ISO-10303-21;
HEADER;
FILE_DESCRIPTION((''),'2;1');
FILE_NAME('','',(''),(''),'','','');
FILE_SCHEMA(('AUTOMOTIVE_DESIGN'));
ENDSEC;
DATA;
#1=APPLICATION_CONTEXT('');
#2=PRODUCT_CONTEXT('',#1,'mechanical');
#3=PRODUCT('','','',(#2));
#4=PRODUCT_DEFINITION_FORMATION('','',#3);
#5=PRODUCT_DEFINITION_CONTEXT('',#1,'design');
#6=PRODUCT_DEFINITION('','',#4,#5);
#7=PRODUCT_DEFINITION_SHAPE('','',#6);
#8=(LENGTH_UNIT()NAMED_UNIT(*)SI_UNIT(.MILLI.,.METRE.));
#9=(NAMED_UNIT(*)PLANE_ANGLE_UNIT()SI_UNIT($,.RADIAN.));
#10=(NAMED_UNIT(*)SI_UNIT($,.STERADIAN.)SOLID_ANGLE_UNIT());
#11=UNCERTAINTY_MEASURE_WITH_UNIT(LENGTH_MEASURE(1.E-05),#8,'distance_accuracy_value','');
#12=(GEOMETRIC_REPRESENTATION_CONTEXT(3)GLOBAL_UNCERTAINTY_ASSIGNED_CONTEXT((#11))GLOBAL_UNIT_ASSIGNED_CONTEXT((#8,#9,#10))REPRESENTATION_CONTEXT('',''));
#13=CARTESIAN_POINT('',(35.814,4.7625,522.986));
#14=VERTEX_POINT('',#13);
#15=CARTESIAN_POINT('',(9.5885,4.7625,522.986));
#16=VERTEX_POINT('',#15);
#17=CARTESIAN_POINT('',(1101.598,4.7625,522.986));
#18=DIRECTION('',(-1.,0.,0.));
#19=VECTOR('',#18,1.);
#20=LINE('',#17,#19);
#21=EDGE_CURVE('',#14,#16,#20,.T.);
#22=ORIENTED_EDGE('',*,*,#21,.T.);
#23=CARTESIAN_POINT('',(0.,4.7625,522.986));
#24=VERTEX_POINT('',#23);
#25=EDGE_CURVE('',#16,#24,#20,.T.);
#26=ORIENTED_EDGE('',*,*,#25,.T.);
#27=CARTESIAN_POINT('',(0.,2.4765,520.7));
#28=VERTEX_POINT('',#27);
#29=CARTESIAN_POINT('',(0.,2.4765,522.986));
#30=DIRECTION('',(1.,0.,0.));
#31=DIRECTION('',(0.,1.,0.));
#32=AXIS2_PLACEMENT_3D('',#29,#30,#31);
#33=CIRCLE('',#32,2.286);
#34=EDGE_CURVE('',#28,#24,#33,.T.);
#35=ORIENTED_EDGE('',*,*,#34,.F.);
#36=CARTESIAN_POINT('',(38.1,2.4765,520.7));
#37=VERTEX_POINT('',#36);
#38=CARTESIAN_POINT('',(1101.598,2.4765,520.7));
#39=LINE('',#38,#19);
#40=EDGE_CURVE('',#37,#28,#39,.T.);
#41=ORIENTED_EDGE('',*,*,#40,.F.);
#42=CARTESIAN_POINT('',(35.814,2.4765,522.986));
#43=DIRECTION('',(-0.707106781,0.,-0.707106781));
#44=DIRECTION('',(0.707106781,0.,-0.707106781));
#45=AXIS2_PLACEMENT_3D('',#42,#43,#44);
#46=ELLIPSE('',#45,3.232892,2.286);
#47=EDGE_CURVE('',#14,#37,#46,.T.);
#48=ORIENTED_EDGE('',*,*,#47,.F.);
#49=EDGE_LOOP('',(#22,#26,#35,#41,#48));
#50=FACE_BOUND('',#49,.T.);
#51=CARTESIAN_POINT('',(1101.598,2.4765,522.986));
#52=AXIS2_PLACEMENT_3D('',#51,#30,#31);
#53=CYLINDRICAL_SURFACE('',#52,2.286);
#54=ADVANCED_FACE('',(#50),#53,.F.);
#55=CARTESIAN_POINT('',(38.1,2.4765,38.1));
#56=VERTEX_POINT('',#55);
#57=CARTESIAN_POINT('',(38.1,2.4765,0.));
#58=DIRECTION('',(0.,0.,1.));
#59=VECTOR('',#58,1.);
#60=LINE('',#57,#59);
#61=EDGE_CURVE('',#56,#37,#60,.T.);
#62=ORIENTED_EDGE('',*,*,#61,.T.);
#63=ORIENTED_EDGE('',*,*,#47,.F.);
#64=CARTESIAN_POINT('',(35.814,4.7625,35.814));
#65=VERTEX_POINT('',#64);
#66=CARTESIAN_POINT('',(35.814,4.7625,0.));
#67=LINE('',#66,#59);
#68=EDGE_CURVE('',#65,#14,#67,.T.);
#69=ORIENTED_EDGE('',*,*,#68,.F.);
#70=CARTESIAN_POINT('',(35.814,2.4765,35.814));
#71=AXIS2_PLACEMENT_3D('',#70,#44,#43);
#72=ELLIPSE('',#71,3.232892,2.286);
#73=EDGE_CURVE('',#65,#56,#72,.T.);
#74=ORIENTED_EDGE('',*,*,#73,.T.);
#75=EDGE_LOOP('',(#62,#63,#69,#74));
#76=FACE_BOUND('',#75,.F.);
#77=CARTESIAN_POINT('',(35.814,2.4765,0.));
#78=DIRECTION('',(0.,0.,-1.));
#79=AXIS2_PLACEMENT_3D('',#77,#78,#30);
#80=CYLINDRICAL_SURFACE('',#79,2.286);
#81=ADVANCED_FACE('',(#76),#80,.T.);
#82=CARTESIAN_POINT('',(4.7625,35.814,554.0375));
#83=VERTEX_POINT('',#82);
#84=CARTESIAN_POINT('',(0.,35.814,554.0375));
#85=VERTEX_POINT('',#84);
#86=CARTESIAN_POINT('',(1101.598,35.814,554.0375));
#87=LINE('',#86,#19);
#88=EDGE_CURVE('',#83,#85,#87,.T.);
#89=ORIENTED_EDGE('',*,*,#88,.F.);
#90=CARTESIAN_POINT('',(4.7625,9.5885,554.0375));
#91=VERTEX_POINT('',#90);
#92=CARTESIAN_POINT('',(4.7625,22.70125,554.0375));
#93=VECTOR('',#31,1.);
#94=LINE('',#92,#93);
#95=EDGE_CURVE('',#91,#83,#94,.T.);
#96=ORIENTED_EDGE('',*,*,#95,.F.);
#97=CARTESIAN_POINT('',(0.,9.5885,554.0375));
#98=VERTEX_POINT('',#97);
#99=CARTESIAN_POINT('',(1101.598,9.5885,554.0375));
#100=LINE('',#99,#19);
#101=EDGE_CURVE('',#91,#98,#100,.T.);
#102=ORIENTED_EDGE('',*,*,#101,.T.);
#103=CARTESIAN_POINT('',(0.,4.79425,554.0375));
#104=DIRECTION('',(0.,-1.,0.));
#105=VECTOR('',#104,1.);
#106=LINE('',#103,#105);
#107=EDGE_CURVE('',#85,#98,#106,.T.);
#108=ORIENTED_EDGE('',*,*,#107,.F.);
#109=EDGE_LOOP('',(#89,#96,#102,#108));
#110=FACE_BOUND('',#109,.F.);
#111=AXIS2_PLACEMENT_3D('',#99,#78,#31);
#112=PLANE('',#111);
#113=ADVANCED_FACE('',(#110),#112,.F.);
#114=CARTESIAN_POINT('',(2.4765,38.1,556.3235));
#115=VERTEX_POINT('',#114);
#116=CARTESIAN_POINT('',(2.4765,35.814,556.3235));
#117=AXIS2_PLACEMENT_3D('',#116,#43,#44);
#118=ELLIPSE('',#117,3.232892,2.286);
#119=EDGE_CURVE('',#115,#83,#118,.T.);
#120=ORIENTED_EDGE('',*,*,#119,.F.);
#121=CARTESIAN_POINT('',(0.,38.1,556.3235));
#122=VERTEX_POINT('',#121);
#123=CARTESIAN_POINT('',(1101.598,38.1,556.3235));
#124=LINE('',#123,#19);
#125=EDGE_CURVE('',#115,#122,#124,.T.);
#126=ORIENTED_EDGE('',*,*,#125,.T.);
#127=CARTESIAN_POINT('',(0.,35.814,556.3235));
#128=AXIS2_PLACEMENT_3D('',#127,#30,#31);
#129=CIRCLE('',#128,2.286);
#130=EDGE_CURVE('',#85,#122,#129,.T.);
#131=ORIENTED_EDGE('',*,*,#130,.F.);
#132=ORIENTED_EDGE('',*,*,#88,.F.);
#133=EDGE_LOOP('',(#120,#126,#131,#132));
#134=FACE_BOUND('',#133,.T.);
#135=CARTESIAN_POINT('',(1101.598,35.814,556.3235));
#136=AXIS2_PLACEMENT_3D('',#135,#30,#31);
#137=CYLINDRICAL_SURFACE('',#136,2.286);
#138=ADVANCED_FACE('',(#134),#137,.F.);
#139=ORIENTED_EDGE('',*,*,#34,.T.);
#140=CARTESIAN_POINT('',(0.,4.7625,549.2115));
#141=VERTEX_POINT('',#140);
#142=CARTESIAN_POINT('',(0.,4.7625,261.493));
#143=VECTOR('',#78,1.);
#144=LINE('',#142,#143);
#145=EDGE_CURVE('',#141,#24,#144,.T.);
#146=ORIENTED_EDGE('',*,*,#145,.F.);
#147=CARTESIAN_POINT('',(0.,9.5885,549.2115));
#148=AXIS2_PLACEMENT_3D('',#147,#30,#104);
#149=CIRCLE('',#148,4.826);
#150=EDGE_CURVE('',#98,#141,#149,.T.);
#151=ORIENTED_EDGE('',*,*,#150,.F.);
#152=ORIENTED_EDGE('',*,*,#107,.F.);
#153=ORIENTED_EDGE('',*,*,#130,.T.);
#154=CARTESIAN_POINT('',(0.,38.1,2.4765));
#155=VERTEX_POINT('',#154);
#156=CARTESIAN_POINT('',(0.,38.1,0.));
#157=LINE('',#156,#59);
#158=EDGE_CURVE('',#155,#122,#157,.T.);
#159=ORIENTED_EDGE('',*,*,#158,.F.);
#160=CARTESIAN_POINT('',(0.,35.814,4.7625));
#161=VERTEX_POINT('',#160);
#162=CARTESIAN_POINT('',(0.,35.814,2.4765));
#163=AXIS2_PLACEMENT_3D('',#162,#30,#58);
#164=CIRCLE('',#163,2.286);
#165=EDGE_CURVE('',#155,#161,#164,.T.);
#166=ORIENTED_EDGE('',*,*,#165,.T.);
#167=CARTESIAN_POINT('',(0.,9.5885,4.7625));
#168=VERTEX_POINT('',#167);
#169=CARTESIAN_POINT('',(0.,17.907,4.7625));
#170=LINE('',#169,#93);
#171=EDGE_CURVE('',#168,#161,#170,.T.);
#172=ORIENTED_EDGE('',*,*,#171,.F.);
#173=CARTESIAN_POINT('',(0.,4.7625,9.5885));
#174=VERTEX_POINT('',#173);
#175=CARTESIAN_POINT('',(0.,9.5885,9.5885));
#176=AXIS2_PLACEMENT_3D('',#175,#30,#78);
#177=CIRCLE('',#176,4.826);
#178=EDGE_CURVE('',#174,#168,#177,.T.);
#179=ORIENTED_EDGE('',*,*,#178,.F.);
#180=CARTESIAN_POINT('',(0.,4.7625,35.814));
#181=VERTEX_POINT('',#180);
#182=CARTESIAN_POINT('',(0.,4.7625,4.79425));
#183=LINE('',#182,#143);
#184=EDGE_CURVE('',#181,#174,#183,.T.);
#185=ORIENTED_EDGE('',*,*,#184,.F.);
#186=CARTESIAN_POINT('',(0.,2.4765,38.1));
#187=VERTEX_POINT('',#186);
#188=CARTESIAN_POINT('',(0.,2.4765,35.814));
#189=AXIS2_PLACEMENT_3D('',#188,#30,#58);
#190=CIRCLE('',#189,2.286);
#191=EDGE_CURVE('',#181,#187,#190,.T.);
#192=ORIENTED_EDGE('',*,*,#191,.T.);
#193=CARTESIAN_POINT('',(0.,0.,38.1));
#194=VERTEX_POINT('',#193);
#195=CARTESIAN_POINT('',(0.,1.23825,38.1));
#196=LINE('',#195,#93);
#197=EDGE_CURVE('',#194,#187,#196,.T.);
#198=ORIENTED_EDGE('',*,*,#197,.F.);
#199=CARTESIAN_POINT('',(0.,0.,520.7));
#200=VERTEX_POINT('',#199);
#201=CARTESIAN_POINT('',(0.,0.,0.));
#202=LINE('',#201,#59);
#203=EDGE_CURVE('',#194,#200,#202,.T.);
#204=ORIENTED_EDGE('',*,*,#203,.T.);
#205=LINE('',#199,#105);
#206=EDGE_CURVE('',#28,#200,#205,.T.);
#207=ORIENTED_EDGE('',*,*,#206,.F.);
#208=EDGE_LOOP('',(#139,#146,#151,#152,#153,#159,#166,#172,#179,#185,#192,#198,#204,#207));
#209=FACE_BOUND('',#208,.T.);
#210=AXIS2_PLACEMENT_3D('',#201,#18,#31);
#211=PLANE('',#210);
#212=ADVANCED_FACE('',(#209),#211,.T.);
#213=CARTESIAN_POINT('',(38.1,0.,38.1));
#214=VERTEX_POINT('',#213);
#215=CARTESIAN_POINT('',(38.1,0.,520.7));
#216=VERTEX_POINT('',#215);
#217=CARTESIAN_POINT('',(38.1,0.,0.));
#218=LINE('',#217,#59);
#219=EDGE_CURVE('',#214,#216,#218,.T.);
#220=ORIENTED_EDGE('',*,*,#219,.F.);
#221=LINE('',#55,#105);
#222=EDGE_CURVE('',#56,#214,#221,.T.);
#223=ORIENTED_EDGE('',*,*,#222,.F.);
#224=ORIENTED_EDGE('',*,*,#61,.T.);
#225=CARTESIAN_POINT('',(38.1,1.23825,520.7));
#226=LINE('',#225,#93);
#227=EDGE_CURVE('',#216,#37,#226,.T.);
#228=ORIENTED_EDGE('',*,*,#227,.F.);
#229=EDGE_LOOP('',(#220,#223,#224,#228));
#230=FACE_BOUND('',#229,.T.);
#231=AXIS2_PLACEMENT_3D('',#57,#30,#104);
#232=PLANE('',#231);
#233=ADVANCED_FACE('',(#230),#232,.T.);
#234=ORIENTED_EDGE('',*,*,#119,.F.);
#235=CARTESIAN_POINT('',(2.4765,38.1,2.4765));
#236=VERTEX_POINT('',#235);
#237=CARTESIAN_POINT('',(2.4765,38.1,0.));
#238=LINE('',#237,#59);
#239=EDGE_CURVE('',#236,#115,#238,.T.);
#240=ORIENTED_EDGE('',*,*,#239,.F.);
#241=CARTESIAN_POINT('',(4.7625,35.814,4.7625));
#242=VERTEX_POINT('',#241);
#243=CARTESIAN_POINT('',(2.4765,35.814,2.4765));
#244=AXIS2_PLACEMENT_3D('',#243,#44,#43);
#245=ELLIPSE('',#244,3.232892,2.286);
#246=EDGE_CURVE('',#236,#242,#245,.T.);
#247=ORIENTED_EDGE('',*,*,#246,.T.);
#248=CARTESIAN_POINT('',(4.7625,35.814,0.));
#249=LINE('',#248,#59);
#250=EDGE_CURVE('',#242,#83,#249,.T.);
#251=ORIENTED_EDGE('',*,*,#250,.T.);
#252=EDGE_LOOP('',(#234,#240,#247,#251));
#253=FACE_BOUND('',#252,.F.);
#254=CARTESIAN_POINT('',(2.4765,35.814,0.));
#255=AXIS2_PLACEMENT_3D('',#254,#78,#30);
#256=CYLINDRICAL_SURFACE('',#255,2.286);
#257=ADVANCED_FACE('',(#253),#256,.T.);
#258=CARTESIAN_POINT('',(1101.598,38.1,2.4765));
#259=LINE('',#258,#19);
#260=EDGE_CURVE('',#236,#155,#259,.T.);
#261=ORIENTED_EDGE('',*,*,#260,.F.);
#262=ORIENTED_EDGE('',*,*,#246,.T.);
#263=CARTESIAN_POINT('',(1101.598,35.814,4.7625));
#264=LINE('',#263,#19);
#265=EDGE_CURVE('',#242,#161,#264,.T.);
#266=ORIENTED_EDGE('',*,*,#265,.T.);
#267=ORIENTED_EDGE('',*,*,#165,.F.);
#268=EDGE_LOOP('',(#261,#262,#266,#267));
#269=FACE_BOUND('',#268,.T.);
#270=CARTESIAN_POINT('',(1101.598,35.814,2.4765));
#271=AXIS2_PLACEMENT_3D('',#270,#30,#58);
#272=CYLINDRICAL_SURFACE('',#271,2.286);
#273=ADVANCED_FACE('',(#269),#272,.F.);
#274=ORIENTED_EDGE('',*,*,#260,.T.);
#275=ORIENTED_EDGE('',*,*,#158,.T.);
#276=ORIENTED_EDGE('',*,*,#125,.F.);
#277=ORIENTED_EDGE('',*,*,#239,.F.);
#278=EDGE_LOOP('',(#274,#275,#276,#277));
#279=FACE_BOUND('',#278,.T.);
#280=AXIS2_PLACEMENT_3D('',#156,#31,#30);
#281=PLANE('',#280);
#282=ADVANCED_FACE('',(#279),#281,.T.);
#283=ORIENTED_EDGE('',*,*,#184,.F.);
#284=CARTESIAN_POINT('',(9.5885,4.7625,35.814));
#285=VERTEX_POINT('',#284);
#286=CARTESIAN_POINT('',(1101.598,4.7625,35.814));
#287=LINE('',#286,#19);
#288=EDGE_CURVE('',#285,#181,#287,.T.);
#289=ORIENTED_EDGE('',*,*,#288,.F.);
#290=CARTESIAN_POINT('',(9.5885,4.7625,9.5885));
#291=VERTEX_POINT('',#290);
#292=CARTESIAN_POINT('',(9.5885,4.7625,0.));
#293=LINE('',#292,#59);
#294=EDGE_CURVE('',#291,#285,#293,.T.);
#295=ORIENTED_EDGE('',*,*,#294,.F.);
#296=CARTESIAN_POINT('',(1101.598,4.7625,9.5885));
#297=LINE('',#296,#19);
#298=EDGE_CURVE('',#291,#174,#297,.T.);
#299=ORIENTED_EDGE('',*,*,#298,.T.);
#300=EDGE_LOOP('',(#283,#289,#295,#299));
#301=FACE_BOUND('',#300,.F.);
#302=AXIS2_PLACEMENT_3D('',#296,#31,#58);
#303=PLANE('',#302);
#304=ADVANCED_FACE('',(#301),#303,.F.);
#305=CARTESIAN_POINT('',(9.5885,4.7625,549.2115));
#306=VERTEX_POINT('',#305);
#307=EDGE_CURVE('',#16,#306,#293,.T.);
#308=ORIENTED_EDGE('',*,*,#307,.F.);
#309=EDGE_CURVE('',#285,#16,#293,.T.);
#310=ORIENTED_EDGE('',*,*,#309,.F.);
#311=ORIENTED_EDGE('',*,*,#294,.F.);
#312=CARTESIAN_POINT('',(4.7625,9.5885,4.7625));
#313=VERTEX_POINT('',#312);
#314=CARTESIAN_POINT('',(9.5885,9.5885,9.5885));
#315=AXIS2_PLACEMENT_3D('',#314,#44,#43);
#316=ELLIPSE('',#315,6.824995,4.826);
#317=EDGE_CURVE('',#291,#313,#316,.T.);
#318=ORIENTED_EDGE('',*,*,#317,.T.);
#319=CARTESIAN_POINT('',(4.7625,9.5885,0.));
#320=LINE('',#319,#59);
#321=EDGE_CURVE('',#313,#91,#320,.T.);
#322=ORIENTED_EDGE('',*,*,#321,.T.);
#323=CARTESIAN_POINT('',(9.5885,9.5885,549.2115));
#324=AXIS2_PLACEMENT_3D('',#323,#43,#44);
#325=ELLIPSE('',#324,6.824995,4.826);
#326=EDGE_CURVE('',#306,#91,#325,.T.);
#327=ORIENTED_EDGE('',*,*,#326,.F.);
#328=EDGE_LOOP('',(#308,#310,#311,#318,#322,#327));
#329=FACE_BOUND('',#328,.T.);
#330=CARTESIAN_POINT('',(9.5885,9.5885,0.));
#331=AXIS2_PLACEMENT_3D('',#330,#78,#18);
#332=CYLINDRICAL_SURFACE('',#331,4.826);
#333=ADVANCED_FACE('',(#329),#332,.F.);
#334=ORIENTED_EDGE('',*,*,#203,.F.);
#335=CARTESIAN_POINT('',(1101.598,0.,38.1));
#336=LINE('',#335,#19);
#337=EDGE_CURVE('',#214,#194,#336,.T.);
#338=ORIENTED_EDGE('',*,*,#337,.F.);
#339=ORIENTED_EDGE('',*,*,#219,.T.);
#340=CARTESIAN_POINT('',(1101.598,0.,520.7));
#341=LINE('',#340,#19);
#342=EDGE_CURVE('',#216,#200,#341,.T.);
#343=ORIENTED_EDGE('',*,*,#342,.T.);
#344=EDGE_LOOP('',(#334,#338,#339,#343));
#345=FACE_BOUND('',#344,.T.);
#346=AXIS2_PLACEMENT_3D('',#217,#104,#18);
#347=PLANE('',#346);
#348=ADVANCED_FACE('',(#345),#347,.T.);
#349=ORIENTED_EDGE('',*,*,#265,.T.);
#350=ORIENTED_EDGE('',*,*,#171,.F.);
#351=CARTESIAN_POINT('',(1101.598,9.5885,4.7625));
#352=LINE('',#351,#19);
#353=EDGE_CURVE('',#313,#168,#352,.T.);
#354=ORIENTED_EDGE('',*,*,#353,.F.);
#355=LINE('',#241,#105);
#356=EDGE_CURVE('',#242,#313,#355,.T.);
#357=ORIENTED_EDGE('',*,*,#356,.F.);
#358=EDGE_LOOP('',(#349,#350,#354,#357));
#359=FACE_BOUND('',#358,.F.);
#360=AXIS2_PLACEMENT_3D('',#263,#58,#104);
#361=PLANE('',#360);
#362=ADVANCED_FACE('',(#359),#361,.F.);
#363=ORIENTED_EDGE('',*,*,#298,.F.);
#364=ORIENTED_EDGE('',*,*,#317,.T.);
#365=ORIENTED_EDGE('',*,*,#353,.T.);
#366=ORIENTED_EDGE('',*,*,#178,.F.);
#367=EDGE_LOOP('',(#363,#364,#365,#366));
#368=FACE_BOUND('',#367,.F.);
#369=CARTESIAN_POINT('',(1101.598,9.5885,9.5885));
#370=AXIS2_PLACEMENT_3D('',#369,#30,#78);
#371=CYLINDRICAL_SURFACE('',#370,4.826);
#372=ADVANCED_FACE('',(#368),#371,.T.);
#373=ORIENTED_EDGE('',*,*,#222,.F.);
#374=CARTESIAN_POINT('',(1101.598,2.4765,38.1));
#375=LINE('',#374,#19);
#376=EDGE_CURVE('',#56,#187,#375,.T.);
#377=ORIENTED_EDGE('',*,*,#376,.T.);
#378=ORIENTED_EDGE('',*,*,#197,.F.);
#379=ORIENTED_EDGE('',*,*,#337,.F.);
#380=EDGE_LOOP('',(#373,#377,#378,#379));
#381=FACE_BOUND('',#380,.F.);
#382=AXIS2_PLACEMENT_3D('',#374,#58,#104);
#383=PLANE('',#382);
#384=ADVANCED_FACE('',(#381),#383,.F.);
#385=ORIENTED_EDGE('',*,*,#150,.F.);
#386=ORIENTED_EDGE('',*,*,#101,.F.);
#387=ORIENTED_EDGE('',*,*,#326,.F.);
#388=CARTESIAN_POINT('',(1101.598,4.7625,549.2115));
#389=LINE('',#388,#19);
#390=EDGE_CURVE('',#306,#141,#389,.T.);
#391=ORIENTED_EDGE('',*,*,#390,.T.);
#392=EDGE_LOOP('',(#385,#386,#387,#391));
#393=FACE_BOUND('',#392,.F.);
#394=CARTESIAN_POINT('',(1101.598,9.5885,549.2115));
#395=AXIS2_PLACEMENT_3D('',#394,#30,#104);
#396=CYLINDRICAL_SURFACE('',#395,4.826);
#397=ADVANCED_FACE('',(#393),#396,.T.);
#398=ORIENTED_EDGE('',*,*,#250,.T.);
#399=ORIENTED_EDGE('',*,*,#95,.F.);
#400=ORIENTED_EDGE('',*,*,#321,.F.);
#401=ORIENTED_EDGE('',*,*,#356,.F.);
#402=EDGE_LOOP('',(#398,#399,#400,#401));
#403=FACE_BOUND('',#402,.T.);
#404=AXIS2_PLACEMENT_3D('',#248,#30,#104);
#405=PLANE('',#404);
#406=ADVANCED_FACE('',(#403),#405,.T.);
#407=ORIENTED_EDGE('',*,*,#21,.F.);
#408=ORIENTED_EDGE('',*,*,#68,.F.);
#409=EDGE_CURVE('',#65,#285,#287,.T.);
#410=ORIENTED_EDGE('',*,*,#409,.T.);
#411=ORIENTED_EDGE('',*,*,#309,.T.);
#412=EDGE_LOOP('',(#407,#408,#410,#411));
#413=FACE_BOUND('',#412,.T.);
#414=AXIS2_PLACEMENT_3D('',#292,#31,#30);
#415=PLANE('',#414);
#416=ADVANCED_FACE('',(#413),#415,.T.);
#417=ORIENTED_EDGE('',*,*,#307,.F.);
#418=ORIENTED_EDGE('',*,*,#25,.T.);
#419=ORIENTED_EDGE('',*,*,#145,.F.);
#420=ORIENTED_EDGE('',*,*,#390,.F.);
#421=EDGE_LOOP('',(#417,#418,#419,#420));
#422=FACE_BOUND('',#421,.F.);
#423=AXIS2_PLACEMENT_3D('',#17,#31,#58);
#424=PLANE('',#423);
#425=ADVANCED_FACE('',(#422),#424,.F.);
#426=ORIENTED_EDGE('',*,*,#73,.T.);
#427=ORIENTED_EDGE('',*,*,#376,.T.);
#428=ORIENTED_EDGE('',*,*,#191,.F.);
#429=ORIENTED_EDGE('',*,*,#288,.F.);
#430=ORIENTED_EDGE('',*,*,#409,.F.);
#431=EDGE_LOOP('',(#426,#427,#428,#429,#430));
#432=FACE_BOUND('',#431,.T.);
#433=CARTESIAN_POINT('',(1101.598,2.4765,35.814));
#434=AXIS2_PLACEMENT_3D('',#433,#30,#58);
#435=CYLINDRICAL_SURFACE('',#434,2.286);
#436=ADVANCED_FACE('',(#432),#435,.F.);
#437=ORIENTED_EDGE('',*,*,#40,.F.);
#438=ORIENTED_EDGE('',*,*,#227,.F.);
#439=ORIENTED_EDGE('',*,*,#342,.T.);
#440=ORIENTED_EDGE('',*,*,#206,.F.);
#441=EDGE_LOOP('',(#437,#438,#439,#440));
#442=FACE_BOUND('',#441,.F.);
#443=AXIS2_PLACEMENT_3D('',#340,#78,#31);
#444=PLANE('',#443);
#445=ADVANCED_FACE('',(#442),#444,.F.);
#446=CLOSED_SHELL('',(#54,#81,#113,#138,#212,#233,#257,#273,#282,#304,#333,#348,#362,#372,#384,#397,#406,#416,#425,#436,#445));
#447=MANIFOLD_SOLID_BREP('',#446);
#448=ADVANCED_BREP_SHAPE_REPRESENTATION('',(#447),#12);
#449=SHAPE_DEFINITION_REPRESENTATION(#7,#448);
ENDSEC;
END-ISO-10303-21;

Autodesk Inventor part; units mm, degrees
ref_plane "Start plane" through (0, 0, 0) normal (0, 0, 1) x (1, 0, 0)
ref_plane "End plane" through (0, 0, 558.8) normal (0, 0, 1) x (1, 0, 0)
sketch "Sketch" plane through (0, 0, 0) normal (0, 0, 1) x (1, 0, 0)
  line L0 (38.1, 0) -> (0, 0)
  line L1 (0, 0) -> (0, 38.1)
  line L2 (0, 38.1) -> (2.4765, 38.1)
  line L3 (4.7625, 35.814) -> (4.7625, 9.5885)
  line L4 (9.5885, 4.7625) -> (35.814, 4.7625)
  line L5 (38.1, 2.4765) -> (38.1, 0)
  line L6 (0, -11.0414) -> (0, 31.5385) construction
  line L7 (-11.0414, 0) -> (31.5385, 0) construction
  arc A0 (4.7625, 9.5885) -> (9.5885, 4.7625) centre (9.5885, 9.5885) ccw
  arc A1 (4.7625, 35.814) -> (2.4765, 38.1) centre (2.4765, 35.814) ccw
  arc A2 (38.1, 2.4765) -> (35.814, 4.7625) centre (35.814, 2.4765) ccw
  line L8 (0, 48.4964) -> (0, -20.9644) construction
  line L9 (-20.9644, 0) -> (48.4964, 0) construction
  point P0 (4.7625, 38.1)
  point P1 (4.7625, 4.7625)
  point P2 (38.1, 4.7625)
  dimension "d0" = 38.1
  dimension "d1" = 38.1
  dimension "d2" = 4.7625
  dimension "d3" = 4.7625
  dimension "d10" = 0
  dimension "d11" = 0
  dimension "d14" = 4.826
  dimension "d15" = 2.286
extrude "Body" add sketch "Sketch" along normal up to surface (558.8 mm away) from surface at 0
sketch "Sketch3" plane through (0, 0, 0) normal (0, 0, 1) x (1, 0, 0)
  line L0 (0, 0) -> (10, 0)
ref_plane "Work Plane3" through (0, 0, 0) normal (0, -1, 0) x (1, 0, 0)
sketch "Sketch4" plane through (0, 0, 0) normal (0, -1, 0) x (1, 0, 0)
  line L0 (-2, 0) -> (12, 0)
  line L1 (-2, 558.8) -> (12, 558.8)
  dimension "d17" = 558.8
ref_plane "Work Plane4" through (1101.598, 19.05, 0) normal (0.7071, 0, 0.7071) x (0.7071, 0, -0.7071)
ref_plane "Work Plane5" through (-130.302, 19.05, 0) normal (-0.7071, 0, 0.7071) x (0.7071, 0, 0.7071)
ref_plane "Work Plane6" through (485.648, 0, 0) normal (-1, 0, 0) x (0, 0, 1)
sketch "Sketch5" plane through (485.648, 0, 0) normal (-1, 0, 0) x (0, 0, 1)
  line L0 (38.1, 0) -> (0, 0)
  line L1 (0, 0) -> (0, 38.1)
  line L2 (0, 38.1) -> (2.4765, 38.1)
  arc A0 (4.7625, 35.814) -> (2.4765, 38.1) centre (2.4765, 35.814) ccw
  line L3 (4.7625, 35.814) -> (4.7625, 9.5885)
  arc A1 (4.7625, 9.5885) -> (9.5885, 4.7625) centre (9.5885, 9.5885) ccw
  line L4 (9.5885, 4.7625) -> (35.814, 4.7625)
  arc A2 (38.1, 2.4765) -> (35.814, 4.7625) centre (35.814, 2.4765) ccw
  line L5 (38.1, 2.4765) -> (38.1, 0)
extrude "Extrusion2" cut sketch "Sketch5" along normal up to surface from surface at -615.95 surface through (-130.302, 19.05, 0) normal (-0.7071, 0, 0.7071)
ref_plane "Work Plane7" through (1101.598, 19.05, 558.8) normal (0.7071, 0, -0.7071) x (0, 1, 0)
ref_plane "Work Plane8" through (-130.302, 19.05, 558.8) normal (-0.7071, 0, -0.7071) x (0, 1, 0)
ref_plane "Work Plane9" through (485.648, 0, 558.8) normal (-1, 0, 0) x (0, 1, 0)
sketch "Sketch6" plane through (485.648, 0, 558.8) normal (-1, 0, 0) x (0, 1, 0)
  line L0 (38.1, 0) -> (0, 0)
  line L1 (0, 0) -> (0, 38.1)
  line L2 (0, 38.1) -> (2.4765, 38.1)
  arc A0 (4.7625, 35.814) -> (2.4765, 38.1) centre (2.4765, 35.814) ccw
  line L3 (4.7625, 35.814) -> (4.7625, 9.5885)
  arc A1 (4.7625, 9.5885) -> (9.5885, 4.7625) centre (9.5885, 9.5885) ccw
  line L4 (9.5885, 4.7625) -> (35.814, 4.7625)
  arc A2 (38.1, 2.4765) -> (35.814, 4.7625) centre (35.814, 2.4765) ccw
  line L5 (38.1, 2.4765) -> (38.1, 0)
extrude "Extrusion3" cut sketch "Sketch6" along normal up to surface from surface at -615.95 surface through (-130.302, 19.05, 558.8) normal (-0.7071, 0, -0.7071)
equation "\"d0\" = G_H"
equation "\"d1\" = G_H"
equation "\"d2\" = G_T"
equation "\"d3\" = G_T"
equation "\"d14\" = G_IR"
equation "\"d15\" = G_ER"
equation "\"d4\" = G_L"
equation "\"G_H\" = 38.1"
equation "\"G_T\" = 4.7625"
equation "\"G_ER\" = 2.286"
equation "\"G_IR\" = 4.826"
equation "\"G_L\" = d17"
equation "\"ex\" = 0"
equation "\"G_OFFSET_START\" = 0"
equation "\"G_OFFSET_END\" = 0"
equation "\"d13\" = G_OFFSET_END + B_L"
equation "\"B_L\" = 558.8"
properties part number "AISC - L 1.5 x 1.5 x 3/16 - 22" material "Aluminum 6061"
